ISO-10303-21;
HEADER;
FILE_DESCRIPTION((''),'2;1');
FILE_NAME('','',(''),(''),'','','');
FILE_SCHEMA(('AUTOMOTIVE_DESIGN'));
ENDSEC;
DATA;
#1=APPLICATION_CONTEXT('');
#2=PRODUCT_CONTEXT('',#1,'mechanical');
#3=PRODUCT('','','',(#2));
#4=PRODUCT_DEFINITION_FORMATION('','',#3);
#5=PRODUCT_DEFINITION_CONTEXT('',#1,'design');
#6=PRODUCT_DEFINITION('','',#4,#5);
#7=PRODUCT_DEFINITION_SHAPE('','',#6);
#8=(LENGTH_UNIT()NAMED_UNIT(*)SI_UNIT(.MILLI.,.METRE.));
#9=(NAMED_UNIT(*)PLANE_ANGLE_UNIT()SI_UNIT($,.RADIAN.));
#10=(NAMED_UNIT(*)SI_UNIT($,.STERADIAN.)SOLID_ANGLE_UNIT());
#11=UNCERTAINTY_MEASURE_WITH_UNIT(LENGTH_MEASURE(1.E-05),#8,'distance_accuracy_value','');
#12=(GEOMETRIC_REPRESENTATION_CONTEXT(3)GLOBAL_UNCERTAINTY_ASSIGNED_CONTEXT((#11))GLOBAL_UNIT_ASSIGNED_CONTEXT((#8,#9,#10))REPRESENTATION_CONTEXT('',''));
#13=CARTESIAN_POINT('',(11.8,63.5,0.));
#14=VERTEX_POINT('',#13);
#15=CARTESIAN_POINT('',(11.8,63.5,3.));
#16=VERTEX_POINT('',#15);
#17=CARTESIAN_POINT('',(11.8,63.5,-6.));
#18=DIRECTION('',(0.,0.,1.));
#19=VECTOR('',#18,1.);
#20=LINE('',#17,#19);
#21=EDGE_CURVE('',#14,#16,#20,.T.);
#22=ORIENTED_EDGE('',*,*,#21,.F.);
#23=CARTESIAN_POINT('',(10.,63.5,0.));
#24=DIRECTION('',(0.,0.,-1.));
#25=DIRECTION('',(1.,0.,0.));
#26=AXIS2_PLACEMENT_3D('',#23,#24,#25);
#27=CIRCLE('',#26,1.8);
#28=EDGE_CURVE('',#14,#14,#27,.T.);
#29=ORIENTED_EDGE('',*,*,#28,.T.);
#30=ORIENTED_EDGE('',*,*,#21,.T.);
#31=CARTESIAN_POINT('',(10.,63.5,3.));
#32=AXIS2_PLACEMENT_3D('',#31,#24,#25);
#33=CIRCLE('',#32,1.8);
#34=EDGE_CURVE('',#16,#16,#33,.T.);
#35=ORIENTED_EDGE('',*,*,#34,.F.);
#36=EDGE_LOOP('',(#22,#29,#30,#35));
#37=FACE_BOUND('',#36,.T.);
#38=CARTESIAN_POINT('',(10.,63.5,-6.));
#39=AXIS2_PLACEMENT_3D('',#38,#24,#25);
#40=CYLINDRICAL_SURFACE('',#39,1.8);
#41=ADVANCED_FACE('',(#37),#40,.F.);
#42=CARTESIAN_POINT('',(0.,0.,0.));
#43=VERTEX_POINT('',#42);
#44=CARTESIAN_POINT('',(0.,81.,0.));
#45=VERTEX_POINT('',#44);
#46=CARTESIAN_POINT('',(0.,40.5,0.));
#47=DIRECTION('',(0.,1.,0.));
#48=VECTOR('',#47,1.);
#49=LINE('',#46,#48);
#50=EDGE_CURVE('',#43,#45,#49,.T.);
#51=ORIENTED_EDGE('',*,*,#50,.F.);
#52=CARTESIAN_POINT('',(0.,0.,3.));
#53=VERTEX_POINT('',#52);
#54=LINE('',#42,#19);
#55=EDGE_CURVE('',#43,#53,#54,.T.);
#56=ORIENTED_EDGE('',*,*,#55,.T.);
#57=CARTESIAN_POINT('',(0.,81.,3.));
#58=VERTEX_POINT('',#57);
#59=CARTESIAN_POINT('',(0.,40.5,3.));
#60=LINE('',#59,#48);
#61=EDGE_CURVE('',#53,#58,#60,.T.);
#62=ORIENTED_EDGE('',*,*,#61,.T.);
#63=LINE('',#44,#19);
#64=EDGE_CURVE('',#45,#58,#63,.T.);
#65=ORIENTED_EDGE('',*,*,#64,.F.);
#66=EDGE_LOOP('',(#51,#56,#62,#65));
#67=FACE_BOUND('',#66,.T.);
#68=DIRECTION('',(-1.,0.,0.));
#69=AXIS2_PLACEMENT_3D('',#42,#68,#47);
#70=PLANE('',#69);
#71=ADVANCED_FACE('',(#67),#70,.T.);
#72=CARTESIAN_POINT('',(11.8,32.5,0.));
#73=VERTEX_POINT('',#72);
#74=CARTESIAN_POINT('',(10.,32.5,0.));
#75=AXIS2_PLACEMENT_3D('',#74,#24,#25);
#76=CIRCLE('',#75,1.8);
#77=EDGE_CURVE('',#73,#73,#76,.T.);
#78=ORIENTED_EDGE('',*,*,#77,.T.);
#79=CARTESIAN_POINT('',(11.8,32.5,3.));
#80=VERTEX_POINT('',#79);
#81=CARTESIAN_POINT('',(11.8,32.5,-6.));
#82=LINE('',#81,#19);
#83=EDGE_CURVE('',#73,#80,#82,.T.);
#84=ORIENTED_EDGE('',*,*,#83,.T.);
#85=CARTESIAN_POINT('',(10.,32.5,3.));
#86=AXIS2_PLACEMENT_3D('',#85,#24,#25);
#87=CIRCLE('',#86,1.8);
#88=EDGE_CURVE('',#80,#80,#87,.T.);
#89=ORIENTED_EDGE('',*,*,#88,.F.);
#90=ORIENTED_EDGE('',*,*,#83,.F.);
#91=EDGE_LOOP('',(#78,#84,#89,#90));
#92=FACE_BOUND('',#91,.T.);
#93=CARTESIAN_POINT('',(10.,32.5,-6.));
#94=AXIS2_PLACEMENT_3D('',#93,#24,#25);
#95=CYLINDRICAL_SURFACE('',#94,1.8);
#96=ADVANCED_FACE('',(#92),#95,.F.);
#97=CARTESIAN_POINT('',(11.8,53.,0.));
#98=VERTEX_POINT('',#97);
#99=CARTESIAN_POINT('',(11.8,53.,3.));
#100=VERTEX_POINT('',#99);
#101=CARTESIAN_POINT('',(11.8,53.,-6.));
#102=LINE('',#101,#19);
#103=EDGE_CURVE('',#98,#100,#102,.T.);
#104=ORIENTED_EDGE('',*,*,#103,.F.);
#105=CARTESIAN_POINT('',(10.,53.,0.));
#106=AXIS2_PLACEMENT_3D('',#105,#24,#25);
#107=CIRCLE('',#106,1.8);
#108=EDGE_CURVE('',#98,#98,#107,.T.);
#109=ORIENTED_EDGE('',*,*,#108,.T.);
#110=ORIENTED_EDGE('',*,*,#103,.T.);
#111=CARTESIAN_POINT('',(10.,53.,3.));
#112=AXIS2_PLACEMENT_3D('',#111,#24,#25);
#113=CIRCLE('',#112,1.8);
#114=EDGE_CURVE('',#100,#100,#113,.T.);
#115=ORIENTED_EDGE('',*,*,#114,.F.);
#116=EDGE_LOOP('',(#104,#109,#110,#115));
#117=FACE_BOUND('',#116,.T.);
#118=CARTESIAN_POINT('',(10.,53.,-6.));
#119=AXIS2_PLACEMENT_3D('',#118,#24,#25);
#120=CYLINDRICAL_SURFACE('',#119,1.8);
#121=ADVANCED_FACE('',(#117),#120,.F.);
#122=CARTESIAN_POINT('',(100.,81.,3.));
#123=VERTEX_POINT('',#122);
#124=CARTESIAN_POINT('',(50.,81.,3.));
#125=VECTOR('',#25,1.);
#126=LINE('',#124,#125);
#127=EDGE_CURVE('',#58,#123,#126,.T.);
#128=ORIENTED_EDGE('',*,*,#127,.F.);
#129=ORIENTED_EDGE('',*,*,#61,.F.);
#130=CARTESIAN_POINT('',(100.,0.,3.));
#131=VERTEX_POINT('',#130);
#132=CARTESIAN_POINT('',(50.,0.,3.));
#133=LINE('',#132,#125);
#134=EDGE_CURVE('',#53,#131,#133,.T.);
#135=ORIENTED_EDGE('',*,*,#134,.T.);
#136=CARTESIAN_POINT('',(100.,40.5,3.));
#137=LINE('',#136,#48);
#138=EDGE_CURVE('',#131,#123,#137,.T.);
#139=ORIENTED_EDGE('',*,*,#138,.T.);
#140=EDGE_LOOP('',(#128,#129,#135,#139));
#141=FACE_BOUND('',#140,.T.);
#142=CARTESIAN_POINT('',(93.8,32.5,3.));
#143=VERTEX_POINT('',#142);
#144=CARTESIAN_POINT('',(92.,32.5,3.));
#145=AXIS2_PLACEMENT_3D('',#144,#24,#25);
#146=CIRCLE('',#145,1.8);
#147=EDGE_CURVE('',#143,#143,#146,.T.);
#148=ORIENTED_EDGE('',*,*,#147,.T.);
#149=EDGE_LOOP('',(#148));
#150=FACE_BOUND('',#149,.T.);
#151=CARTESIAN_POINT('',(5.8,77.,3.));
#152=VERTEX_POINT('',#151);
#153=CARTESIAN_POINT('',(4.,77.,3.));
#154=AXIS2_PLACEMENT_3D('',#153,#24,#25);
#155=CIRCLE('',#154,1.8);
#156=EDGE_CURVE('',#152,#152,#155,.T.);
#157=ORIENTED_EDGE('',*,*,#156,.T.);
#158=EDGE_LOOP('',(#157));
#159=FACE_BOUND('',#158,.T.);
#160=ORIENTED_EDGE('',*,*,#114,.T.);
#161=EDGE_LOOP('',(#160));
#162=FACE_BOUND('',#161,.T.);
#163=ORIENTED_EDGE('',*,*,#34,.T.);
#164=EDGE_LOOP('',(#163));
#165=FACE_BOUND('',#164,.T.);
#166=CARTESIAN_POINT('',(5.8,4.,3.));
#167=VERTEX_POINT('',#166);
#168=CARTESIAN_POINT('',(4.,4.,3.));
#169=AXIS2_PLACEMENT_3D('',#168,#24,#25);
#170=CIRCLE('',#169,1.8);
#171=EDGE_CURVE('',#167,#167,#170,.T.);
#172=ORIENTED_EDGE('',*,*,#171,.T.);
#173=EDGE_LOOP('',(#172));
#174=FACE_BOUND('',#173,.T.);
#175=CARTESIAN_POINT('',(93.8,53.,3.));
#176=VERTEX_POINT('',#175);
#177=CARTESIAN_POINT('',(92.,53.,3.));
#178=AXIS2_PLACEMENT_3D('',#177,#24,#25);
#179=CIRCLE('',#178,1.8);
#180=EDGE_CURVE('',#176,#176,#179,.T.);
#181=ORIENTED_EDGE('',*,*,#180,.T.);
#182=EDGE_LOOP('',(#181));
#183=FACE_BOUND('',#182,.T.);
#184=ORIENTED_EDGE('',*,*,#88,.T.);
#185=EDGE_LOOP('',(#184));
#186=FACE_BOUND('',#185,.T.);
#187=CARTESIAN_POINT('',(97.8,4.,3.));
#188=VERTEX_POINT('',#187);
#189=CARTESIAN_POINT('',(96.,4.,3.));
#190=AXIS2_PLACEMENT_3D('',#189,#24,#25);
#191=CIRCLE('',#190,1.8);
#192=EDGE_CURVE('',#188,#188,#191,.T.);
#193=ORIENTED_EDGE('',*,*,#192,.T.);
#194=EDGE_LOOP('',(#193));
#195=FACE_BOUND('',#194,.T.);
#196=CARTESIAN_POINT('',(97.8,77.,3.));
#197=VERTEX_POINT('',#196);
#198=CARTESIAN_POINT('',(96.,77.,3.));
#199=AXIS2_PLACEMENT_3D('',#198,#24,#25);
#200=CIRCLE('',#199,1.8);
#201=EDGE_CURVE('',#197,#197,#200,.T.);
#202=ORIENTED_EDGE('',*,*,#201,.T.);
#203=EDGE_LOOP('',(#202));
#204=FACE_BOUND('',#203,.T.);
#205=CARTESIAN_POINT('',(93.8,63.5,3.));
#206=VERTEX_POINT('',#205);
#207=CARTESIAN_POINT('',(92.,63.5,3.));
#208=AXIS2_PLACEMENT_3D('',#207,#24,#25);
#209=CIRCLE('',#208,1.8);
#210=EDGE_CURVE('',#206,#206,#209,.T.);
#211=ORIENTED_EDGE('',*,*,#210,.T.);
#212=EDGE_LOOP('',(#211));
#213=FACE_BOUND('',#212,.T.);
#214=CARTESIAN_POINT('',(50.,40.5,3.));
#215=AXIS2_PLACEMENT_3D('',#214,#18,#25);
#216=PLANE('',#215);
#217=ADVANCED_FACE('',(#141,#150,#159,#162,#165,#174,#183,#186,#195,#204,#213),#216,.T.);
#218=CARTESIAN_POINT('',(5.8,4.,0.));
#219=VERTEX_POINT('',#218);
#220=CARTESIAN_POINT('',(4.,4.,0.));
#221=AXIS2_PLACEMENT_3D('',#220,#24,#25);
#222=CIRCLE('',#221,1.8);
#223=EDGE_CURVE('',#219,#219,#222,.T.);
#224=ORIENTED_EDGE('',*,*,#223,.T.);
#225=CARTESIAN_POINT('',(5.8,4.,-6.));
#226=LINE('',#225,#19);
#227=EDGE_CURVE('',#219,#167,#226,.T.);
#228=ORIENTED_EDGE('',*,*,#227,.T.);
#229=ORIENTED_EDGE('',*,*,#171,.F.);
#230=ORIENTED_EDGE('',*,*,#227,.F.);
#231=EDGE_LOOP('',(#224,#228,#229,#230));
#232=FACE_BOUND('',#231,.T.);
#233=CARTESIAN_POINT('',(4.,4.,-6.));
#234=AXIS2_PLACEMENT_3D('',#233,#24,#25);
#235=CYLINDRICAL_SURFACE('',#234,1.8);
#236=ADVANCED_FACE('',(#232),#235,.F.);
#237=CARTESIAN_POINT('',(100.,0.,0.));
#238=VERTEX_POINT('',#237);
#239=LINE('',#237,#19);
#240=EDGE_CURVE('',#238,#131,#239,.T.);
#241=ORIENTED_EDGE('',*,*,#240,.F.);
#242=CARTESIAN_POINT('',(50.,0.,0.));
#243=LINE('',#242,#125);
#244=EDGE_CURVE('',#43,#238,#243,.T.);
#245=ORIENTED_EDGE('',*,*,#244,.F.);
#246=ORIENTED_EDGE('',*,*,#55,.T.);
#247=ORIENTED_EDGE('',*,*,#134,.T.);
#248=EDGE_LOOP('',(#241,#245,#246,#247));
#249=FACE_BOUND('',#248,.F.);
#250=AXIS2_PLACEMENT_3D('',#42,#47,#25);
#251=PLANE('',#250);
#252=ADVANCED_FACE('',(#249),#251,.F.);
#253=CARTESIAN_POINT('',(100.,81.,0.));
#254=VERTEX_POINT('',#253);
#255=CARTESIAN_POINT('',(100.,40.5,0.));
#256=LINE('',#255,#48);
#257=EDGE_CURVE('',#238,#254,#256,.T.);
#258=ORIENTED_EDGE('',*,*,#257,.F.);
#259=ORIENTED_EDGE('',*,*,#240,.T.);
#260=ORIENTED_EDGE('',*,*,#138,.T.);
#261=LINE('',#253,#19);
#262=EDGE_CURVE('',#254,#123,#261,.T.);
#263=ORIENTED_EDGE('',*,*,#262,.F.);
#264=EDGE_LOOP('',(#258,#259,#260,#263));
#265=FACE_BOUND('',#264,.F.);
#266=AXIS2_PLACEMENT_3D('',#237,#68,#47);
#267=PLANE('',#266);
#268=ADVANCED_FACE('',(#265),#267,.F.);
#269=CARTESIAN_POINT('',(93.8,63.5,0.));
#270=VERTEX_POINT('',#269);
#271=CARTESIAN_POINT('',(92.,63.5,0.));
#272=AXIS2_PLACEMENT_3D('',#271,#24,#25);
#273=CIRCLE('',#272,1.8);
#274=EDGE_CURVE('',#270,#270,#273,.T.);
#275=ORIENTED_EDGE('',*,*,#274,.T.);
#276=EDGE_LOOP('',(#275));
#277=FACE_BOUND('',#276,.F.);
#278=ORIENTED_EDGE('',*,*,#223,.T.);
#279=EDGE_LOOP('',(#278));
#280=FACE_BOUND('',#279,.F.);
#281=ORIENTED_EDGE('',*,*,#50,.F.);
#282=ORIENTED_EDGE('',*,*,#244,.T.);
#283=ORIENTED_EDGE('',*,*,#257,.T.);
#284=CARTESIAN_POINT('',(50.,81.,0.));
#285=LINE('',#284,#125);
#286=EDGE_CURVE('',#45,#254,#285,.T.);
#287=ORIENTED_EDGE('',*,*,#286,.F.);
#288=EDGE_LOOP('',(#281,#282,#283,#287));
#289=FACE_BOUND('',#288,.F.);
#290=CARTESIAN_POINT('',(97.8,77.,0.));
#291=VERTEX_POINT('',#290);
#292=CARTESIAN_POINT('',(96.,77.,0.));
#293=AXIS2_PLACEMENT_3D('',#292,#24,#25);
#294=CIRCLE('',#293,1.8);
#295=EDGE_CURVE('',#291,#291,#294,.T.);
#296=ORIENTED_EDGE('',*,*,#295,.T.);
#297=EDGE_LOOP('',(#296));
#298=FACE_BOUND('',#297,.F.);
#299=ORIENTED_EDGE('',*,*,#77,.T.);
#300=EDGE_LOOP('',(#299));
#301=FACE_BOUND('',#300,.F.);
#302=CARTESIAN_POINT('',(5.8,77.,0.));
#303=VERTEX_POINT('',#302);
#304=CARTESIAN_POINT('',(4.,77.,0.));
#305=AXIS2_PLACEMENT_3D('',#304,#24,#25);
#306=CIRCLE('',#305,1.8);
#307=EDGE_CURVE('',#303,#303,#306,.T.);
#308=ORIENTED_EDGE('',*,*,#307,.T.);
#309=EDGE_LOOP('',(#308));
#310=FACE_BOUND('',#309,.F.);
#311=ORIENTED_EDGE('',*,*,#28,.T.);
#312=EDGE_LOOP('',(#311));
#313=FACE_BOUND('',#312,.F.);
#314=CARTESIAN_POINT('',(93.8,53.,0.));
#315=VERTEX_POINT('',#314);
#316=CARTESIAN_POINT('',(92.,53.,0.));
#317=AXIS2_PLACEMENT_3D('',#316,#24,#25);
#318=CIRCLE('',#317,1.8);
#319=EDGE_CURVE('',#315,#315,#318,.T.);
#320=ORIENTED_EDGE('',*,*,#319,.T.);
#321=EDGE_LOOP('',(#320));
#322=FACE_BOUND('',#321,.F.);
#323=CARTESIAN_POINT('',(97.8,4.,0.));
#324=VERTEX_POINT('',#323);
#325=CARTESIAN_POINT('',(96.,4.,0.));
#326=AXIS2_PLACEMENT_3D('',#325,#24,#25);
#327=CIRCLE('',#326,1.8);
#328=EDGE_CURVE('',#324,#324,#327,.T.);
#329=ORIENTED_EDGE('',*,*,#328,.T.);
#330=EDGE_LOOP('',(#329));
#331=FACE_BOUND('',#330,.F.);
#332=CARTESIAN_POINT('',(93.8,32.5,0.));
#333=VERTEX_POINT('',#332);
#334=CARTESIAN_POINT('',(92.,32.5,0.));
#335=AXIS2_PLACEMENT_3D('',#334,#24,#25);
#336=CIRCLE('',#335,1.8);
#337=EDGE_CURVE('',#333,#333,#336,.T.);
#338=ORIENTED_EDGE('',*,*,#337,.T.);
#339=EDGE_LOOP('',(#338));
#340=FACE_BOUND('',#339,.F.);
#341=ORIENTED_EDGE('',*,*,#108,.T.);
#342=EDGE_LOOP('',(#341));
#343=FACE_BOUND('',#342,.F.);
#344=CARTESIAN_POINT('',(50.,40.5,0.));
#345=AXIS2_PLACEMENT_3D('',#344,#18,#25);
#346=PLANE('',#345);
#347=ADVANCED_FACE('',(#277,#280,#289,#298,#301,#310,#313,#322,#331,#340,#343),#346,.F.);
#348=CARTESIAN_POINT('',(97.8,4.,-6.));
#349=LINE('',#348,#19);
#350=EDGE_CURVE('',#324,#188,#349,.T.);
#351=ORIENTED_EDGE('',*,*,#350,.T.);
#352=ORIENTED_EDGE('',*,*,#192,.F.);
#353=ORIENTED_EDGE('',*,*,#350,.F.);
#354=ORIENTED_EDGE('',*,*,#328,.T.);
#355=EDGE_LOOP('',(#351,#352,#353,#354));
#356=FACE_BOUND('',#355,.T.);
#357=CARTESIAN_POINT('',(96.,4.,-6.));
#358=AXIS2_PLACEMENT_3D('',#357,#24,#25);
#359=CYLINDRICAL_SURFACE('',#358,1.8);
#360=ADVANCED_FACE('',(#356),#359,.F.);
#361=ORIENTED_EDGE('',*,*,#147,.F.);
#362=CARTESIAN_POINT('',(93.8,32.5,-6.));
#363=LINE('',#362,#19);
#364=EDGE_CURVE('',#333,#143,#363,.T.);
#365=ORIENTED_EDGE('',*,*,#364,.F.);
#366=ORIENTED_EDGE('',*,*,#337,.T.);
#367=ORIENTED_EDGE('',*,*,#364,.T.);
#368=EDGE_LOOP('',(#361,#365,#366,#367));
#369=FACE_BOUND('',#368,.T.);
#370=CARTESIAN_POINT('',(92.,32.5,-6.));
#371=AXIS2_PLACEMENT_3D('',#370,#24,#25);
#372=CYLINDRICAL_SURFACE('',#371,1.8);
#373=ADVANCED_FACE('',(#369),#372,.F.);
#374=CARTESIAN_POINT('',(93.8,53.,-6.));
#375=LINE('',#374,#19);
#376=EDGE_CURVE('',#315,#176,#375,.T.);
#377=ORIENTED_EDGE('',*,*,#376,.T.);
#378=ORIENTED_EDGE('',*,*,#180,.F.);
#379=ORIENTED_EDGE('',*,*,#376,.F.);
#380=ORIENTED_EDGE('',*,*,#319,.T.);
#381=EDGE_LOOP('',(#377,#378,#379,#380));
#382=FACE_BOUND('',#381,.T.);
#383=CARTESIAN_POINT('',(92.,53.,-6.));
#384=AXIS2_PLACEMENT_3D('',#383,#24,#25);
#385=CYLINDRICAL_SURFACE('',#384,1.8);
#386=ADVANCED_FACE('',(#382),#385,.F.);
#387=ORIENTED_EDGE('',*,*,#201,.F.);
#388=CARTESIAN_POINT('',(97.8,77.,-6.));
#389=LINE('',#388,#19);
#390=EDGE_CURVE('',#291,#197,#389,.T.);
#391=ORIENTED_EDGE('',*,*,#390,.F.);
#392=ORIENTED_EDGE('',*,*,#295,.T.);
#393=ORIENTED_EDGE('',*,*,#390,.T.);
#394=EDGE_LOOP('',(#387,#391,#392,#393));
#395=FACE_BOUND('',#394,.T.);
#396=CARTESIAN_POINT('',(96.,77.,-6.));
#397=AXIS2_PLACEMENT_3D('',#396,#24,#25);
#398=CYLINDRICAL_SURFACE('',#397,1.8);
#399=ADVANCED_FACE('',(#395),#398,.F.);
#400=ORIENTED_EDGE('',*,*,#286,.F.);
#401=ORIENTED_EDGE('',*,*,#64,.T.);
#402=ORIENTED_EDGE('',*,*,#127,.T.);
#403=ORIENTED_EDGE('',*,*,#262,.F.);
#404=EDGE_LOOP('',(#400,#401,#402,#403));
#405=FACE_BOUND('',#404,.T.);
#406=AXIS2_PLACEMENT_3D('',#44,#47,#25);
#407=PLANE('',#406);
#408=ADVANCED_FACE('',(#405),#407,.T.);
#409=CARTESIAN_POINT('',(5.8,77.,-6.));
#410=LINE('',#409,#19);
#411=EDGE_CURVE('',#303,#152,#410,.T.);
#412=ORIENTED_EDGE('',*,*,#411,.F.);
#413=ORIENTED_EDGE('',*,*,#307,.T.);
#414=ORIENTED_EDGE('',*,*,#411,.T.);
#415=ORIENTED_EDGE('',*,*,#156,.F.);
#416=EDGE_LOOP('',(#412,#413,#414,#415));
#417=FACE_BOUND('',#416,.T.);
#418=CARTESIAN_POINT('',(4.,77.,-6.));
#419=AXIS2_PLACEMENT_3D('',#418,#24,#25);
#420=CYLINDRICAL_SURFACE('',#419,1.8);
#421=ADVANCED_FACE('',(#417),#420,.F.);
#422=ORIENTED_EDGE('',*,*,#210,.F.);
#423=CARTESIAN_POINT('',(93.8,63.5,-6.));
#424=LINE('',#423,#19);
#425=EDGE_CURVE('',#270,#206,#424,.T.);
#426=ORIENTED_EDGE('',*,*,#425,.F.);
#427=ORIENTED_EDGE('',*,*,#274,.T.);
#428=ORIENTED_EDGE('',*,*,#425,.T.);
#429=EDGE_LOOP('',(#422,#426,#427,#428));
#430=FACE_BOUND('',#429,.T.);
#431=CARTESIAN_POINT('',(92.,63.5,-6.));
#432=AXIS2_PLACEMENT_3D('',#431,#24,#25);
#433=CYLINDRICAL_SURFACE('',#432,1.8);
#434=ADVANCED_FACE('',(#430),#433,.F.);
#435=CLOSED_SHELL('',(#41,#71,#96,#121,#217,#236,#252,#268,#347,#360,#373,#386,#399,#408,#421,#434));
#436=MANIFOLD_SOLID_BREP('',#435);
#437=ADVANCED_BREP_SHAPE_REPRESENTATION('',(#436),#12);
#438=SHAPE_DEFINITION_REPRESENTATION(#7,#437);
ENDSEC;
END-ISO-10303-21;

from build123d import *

# Parameters (mm, degrees)
CYLINDER012_R     = 1.8
CYLINDER012_DEPTH = 20
ARRAY007_X_COUNT  = 2
ARRAY007_X_PITCH  = 92
ARRAY007_Y_COUNT  = 2
ARRAY007_Y_PITCH  = 73
CYLINDER013_R     = 1.8
CYLINDER013_DEPTH = 20
ARRAY008_X_COUNT  = 2
ARRAY008_X_PITCH  = 82
CYLINDER011_R     = 1.8
CYLINDER011_DEPTH = 20
ARRAY_X_COUNT     = 2
ARRAY_X_PITCH     = 82
ARRAY_Y_COUNT     = 2
ARRAY_Y_PITCH     = 31
BOX_W             = 100
BOX_H             = 81
BOX_DEPTH         = 3


with BuildPart() as corner_hole_array:
    # Cylinder012 → Cylinder012 (new body)
    with BuildSketch(Plane(origin=(4, 4, -6), x_dir=(1, 0, 0), z_dir=(0, 0, 1))):
        Circle(CYLINDER012_R)
    extrude(amount=CYLINDER012_DEPTH)

    # Array007 X: corner hole array ×2


with BuildPart() as corner_hole_array_1:
    add(corner_hole_array.part)
    with Locations(*[(i * ARRAY007_X_PITCH, 0, 0) for i in range(1, ARRAY007_X_COUNT)]):
        add(corner_hole_array.part)

    # Array007 Y: corner hole array ×2


with BuildPart() as corner_hole_array_2:
    add(corner_hole_array_1.part)
    with Locations(*[(0, i * ARRAY007_Y_PITCH, 0) for i in range(1, ARRAY007_Y_COUNT)]):
        add(corner_hole_array_1.part)


with BuildPart() as screw_hole_array:
    # Cylinder013 → Cylinder013 (new body)
    with BuildSketch(Plane(origin=(10, 53, -6), x_dir=(1, 0, 0), z_dir=(0, 0, 1))):
        Circle(CYLINDER013_R)
    extrude(amount=CYLINDER013_DEPTH)

    # Array008 X: screw hole array ×2


with BuildPart() as screw_hole_array_1:
    add(screw_hole_array.part)
    with Locations(*[(i * ARRAY008_X_PITCH, 0, 0) for i in range(1, ARRAY008_X_COUNT)]):
        add(screw_hole_array.part)


with BuildPart() as hole_fusion:
    # Cylinder011 → Cylinder011 (new body)
    with BuildSketch(Plane(origin=(10, 32.5, -6), x_dir=(1, 0, 0), z_dir=(0, 0, 1))):
        Circle(CYLINDER011_R)
    extrude(amount=CYLINDER011_DEPTH)

    # Array X: hole fusion ×2


with BuildPart() as hole_fusion_1:
    add(hole_fusion.part)
    with Locations(*[(i * ARRAY_X_PITCH, 0, 0) for i in range(1, ARRAY_X_COUNT)]):
        add(hole_fusion.part)

    # Array Y: hole fusion ×2


with BuildPart() as hole_fusion_2:
    add(hole_fusion_1.part)
    with Locations(*[(0, i * ARRAY_Y_PITCH, 0) for i in range(1, ARRAY_Y_COUNT)]):
        add(hole_fusion_1.part)

    # Fusion: union corner hole array, screw hole array
    add(corner_hole_array_2.part)
    add(screw_hole_array_1.part)


with BuildPart() as bottom_part_cut:
    # Box → Box (new body)
    with BuildSketch(Plane.XY):
        with Locations((50, 40.5)):
            Rectangle(BOX_W, BOX_H)
    extrude(amount=BOX_DEPTH)

    # Cut008: cut hole fusion
    add(hole_fusion_2.part, mode=Mode.SUBTRACT)


solid = bottom_part_cut.part
